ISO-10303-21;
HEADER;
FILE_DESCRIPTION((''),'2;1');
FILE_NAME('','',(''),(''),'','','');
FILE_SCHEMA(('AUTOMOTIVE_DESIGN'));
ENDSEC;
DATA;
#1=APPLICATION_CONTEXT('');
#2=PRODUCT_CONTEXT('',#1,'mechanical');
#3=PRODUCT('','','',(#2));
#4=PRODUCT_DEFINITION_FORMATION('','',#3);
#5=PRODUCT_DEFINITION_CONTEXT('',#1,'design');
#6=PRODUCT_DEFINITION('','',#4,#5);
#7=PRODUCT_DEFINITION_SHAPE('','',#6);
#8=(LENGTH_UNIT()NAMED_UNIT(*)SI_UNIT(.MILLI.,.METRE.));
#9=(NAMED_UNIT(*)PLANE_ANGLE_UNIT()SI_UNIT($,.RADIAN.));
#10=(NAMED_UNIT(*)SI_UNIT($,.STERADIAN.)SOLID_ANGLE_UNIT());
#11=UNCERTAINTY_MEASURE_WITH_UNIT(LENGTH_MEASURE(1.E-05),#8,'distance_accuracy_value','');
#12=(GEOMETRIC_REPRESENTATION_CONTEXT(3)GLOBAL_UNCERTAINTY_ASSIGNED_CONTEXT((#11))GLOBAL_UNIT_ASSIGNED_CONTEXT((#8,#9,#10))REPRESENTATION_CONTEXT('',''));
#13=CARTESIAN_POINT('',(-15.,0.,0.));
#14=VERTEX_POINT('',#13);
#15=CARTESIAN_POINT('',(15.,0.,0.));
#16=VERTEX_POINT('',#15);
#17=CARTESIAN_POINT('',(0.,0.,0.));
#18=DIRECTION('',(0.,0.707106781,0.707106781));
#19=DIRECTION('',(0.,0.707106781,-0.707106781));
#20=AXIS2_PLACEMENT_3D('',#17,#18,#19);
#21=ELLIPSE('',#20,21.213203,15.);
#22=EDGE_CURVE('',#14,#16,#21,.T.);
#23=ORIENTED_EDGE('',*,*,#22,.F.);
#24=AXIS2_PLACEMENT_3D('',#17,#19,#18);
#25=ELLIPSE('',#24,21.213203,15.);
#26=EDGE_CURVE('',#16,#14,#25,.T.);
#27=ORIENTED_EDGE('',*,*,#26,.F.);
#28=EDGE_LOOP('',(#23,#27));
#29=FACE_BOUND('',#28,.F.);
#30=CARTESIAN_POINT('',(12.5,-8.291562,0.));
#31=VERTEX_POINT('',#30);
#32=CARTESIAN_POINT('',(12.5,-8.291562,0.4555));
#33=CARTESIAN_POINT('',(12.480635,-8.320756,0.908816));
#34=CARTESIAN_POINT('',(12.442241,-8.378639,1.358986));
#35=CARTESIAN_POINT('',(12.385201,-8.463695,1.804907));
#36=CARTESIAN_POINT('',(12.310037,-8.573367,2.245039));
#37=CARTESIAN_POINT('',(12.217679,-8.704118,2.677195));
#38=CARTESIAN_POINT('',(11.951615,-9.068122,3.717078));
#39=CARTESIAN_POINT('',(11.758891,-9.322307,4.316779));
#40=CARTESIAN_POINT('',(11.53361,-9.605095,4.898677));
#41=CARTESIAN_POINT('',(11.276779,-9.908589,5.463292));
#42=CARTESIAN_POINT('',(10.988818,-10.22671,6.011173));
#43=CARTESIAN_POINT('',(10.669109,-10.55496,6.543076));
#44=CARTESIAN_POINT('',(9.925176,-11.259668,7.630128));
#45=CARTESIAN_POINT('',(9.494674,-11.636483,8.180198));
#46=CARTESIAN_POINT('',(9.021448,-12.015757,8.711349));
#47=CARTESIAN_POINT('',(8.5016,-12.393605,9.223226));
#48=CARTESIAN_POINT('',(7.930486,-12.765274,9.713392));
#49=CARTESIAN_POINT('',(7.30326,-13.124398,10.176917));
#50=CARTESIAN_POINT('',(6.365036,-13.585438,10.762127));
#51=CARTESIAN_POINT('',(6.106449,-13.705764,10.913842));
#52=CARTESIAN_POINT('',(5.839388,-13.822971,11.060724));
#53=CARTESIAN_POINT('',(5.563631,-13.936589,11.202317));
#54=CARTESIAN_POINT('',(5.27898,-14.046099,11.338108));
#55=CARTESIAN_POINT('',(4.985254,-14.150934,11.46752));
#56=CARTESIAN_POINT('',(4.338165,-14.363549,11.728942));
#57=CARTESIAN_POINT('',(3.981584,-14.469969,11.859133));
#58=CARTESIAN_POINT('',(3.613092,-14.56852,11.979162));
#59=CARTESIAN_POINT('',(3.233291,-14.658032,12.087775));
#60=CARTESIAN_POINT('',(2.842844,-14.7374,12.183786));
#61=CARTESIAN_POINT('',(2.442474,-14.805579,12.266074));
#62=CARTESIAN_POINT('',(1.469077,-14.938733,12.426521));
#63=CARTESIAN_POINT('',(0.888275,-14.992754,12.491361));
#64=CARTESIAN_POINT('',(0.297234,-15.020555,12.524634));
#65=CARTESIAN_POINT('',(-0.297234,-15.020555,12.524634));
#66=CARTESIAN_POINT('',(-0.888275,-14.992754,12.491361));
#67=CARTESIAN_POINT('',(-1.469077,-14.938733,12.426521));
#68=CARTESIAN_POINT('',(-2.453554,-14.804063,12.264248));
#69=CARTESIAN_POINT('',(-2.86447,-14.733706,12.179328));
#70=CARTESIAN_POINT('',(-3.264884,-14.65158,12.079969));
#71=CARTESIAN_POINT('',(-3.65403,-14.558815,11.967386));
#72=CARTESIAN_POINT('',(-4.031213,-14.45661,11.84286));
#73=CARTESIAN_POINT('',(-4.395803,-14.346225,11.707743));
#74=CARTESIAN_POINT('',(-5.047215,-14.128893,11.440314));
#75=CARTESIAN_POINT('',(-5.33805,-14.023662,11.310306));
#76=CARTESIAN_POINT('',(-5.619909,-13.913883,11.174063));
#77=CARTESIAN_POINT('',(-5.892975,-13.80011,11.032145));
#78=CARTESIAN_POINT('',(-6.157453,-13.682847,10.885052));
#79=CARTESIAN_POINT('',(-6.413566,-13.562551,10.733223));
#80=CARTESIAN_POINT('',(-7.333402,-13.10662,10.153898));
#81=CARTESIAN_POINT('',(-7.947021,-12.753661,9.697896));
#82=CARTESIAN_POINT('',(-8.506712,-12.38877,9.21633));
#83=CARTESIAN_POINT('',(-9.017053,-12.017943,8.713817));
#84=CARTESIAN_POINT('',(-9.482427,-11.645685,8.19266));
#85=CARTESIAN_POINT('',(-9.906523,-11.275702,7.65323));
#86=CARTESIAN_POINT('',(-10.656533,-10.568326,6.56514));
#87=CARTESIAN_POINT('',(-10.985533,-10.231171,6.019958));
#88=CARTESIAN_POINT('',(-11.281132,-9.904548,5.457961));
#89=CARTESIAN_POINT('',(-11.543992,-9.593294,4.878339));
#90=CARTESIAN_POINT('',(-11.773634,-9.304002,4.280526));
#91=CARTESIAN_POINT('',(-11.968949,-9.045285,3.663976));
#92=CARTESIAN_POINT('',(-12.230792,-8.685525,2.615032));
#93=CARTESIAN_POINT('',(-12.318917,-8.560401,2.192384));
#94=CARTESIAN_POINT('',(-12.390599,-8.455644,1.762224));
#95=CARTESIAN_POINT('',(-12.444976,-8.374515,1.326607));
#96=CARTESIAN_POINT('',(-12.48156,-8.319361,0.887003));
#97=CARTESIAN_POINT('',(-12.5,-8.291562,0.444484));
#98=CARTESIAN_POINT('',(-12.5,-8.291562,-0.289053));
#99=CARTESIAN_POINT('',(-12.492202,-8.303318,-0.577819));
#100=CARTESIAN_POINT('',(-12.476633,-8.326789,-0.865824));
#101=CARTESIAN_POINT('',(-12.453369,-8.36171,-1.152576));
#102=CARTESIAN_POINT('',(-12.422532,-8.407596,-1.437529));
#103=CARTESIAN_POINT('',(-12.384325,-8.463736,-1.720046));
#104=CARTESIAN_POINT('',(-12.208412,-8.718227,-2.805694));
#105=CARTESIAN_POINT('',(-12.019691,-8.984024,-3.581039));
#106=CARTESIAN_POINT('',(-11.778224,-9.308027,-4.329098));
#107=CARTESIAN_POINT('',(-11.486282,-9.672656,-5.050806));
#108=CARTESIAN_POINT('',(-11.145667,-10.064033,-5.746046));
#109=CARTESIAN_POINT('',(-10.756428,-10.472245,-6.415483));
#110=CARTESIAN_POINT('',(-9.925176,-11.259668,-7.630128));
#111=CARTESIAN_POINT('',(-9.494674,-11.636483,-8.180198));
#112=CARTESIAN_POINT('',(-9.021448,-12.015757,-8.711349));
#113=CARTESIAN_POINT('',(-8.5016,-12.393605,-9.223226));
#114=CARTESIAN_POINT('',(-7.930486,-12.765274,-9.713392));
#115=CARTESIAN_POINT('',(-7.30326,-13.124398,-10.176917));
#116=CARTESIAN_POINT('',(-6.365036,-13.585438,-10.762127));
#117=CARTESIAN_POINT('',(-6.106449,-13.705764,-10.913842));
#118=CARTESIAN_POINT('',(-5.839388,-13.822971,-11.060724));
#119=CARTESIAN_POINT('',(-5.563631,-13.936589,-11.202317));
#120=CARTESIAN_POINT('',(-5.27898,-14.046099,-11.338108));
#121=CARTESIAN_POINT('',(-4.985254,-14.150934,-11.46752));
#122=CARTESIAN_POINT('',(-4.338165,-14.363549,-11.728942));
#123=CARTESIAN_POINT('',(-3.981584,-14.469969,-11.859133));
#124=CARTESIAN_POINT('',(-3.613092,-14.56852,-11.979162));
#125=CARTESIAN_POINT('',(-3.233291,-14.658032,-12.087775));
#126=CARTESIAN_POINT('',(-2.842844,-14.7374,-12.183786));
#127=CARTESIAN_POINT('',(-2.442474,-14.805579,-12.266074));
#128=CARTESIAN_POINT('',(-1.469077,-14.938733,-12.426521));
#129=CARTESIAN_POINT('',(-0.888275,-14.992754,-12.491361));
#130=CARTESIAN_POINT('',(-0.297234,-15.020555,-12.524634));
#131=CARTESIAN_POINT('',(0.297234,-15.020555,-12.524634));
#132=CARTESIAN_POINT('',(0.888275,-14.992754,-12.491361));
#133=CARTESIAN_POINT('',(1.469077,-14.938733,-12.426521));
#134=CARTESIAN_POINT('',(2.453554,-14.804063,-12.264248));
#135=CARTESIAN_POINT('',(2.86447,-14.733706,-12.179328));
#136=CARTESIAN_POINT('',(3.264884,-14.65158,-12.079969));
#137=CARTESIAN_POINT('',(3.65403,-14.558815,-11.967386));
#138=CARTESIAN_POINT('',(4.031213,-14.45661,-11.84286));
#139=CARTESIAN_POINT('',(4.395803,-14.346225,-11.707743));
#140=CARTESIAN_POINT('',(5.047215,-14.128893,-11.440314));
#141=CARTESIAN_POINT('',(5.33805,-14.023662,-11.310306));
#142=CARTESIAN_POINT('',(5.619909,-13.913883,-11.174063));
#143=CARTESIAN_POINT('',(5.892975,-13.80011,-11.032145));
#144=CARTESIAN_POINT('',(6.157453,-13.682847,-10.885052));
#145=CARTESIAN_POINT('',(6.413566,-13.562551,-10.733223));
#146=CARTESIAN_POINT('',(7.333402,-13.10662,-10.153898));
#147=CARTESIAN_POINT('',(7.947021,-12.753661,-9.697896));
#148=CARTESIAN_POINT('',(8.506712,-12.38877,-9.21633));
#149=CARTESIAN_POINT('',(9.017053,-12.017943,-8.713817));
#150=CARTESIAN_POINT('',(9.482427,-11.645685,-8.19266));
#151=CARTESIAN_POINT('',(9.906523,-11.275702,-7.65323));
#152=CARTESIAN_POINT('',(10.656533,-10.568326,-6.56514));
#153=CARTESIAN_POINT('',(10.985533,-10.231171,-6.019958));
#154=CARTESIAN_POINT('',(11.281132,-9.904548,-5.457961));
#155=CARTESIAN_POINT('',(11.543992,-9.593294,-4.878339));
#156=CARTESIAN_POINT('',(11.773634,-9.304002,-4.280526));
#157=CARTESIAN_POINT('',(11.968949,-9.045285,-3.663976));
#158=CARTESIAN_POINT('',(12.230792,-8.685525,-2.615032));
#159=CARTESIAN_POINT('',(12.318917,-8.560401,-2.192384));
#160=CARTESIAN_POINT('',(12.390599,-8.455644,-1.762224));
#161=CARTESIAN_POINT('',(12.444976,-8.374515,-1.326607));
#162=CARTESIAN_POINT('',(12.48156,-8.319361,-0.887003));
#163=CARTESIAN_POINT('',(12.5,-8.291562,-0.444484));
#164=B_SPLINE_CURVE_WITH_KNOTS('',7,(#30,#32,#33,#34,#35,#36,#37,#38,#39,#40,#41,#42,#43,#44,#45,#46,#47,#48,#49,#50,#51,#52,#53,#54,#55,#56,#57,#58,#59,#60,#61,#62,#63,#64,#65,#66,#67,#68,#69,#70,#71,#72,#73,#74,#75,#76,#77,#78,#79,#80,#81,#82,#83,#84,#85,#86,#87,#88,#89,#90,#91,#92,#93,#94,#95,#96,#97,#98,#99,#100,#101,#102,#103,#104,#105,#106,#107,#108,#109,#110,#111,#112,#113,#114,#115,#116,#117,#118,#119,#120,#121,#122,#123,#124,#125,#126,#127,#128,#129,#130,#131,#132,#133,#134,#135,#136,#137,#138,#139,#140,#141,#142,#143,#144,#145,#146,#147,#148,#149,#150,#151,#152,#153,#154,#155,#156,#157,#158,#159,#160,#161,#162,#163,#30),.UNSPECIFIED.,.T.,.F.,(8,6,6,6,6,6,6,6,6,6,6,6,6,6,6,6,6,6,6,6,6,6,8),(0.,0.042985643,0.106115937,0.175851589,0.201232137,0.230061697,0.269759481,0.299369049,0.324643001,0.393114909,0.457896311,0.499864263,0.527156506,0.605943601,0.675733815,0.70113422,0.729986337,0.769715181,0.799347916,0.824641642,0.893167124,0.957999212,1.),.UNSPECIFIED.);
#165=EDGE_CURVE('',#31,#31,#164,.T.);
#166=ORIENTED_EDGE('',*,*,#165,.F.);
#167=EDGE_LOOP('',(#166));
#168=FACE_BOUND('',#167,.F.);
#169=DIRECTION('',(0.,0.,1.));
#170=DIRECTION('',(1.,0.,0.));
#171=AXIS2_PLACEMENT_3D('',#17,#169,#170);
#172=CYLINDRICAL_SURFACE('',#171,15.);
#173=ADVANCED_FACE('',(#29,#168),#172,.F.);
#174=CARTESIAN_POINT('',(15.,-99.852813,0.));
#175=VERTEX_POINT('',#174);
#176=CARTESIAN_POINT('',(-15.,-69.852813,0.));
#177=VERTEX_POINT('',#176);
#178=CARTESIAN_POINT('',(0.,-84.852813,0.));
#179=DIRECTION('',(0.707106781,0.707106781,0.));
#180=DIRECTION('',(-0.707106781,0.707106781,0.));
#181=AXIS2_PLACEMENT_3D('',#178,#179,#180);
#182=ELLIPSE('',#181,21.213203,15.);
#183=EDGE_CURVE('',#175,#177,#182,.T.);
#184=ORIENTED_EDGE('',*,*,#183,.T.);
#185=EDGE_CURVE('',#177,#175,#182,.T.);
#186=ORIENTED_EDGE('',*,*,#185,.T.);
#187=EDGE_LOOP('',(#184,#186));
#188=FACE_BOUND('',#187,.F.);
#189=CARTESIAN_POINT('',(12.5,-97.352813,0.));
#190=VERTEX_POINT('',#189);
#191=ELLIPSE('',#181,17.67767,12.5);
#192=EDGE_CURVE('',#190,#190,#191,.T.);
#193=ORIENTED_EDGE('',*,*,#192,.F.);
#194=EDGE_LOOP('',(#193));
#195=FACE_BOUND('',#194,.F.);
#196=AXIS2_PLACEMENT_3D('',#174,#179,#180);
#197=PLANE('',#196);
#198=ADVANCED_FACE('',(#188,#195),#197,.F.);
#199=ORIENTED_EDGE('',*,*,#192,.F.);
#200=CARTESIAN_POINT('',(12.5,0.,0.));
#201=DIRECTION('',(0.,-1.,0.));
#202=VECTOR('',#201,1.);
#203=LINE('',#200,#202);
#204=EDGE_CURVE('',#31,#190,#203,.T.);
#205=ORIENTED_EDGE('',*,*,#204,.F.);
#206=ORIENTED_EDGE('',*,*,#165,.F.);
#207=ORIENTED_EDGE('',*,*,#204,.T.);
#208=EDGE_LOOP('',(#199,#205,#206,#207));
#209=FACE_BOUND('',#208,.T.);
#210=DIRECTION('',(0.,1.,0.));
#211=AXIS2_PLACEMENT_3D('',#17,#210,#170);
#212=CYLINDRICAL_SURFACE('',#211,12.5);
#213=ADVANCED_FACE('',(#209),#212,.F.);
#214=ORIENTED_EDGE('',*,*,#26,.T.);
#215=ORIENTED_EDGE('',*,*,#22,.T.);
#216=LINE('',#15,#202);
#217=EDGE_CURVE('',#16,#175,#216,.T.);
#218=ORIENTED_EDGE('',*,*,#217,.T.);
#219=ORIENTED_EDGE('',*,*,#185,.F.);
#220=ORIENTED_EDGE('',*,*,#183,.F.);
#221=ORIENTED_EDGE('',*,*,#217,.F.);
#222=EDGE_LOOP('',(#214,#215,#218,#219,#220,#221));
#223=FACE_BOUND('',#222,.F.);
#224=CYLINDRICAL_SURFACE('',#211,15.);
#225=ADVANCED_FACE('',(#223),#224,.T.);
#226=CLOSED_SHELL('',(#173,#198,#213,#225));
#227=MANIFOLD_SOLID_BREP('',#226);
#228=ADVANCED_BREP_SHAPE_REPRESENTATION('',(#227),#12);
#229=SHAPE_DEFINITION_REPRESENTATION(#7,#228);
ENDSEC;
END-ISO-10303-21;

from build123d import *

# Parameters (mm, degrees)
F0_R     = 15
F0_R_2   = 12.5
F1_DEPTH = 99.852813
F2_R     = 15
F3_DEPTH = 17.5
F5_DEPTH = 17500


with BuildPart() as f1:
    # F0 (on Front) → F1 (new body)
    with BuildSketch(Plane.XZ):
        Circle(F0_R)
        Circle(F0_R_2, mode=Mode.SUBTRACT)
    extrude(amount=F1_DEPTH)

    # F2 (on Top) → F3 (cut, symmetric)
    with BuildSketch(Plane.XY):
        Circle(F2_R)
    extrude(amount=F3_DEPTH, both=True, mode=Mode.SUBTRACT)

    # F4 (on Top) → F5 (cut, symmetric)
    with BuildSketch(Plane.XY):
        Polygon((-15, -99.852813), (15, -99.852813), (-15, -69.852813), align=None)
    extrude(amount=F5_DEPTH, both=True, mode=Mode.SUBTRACT)


solid = f1.part
